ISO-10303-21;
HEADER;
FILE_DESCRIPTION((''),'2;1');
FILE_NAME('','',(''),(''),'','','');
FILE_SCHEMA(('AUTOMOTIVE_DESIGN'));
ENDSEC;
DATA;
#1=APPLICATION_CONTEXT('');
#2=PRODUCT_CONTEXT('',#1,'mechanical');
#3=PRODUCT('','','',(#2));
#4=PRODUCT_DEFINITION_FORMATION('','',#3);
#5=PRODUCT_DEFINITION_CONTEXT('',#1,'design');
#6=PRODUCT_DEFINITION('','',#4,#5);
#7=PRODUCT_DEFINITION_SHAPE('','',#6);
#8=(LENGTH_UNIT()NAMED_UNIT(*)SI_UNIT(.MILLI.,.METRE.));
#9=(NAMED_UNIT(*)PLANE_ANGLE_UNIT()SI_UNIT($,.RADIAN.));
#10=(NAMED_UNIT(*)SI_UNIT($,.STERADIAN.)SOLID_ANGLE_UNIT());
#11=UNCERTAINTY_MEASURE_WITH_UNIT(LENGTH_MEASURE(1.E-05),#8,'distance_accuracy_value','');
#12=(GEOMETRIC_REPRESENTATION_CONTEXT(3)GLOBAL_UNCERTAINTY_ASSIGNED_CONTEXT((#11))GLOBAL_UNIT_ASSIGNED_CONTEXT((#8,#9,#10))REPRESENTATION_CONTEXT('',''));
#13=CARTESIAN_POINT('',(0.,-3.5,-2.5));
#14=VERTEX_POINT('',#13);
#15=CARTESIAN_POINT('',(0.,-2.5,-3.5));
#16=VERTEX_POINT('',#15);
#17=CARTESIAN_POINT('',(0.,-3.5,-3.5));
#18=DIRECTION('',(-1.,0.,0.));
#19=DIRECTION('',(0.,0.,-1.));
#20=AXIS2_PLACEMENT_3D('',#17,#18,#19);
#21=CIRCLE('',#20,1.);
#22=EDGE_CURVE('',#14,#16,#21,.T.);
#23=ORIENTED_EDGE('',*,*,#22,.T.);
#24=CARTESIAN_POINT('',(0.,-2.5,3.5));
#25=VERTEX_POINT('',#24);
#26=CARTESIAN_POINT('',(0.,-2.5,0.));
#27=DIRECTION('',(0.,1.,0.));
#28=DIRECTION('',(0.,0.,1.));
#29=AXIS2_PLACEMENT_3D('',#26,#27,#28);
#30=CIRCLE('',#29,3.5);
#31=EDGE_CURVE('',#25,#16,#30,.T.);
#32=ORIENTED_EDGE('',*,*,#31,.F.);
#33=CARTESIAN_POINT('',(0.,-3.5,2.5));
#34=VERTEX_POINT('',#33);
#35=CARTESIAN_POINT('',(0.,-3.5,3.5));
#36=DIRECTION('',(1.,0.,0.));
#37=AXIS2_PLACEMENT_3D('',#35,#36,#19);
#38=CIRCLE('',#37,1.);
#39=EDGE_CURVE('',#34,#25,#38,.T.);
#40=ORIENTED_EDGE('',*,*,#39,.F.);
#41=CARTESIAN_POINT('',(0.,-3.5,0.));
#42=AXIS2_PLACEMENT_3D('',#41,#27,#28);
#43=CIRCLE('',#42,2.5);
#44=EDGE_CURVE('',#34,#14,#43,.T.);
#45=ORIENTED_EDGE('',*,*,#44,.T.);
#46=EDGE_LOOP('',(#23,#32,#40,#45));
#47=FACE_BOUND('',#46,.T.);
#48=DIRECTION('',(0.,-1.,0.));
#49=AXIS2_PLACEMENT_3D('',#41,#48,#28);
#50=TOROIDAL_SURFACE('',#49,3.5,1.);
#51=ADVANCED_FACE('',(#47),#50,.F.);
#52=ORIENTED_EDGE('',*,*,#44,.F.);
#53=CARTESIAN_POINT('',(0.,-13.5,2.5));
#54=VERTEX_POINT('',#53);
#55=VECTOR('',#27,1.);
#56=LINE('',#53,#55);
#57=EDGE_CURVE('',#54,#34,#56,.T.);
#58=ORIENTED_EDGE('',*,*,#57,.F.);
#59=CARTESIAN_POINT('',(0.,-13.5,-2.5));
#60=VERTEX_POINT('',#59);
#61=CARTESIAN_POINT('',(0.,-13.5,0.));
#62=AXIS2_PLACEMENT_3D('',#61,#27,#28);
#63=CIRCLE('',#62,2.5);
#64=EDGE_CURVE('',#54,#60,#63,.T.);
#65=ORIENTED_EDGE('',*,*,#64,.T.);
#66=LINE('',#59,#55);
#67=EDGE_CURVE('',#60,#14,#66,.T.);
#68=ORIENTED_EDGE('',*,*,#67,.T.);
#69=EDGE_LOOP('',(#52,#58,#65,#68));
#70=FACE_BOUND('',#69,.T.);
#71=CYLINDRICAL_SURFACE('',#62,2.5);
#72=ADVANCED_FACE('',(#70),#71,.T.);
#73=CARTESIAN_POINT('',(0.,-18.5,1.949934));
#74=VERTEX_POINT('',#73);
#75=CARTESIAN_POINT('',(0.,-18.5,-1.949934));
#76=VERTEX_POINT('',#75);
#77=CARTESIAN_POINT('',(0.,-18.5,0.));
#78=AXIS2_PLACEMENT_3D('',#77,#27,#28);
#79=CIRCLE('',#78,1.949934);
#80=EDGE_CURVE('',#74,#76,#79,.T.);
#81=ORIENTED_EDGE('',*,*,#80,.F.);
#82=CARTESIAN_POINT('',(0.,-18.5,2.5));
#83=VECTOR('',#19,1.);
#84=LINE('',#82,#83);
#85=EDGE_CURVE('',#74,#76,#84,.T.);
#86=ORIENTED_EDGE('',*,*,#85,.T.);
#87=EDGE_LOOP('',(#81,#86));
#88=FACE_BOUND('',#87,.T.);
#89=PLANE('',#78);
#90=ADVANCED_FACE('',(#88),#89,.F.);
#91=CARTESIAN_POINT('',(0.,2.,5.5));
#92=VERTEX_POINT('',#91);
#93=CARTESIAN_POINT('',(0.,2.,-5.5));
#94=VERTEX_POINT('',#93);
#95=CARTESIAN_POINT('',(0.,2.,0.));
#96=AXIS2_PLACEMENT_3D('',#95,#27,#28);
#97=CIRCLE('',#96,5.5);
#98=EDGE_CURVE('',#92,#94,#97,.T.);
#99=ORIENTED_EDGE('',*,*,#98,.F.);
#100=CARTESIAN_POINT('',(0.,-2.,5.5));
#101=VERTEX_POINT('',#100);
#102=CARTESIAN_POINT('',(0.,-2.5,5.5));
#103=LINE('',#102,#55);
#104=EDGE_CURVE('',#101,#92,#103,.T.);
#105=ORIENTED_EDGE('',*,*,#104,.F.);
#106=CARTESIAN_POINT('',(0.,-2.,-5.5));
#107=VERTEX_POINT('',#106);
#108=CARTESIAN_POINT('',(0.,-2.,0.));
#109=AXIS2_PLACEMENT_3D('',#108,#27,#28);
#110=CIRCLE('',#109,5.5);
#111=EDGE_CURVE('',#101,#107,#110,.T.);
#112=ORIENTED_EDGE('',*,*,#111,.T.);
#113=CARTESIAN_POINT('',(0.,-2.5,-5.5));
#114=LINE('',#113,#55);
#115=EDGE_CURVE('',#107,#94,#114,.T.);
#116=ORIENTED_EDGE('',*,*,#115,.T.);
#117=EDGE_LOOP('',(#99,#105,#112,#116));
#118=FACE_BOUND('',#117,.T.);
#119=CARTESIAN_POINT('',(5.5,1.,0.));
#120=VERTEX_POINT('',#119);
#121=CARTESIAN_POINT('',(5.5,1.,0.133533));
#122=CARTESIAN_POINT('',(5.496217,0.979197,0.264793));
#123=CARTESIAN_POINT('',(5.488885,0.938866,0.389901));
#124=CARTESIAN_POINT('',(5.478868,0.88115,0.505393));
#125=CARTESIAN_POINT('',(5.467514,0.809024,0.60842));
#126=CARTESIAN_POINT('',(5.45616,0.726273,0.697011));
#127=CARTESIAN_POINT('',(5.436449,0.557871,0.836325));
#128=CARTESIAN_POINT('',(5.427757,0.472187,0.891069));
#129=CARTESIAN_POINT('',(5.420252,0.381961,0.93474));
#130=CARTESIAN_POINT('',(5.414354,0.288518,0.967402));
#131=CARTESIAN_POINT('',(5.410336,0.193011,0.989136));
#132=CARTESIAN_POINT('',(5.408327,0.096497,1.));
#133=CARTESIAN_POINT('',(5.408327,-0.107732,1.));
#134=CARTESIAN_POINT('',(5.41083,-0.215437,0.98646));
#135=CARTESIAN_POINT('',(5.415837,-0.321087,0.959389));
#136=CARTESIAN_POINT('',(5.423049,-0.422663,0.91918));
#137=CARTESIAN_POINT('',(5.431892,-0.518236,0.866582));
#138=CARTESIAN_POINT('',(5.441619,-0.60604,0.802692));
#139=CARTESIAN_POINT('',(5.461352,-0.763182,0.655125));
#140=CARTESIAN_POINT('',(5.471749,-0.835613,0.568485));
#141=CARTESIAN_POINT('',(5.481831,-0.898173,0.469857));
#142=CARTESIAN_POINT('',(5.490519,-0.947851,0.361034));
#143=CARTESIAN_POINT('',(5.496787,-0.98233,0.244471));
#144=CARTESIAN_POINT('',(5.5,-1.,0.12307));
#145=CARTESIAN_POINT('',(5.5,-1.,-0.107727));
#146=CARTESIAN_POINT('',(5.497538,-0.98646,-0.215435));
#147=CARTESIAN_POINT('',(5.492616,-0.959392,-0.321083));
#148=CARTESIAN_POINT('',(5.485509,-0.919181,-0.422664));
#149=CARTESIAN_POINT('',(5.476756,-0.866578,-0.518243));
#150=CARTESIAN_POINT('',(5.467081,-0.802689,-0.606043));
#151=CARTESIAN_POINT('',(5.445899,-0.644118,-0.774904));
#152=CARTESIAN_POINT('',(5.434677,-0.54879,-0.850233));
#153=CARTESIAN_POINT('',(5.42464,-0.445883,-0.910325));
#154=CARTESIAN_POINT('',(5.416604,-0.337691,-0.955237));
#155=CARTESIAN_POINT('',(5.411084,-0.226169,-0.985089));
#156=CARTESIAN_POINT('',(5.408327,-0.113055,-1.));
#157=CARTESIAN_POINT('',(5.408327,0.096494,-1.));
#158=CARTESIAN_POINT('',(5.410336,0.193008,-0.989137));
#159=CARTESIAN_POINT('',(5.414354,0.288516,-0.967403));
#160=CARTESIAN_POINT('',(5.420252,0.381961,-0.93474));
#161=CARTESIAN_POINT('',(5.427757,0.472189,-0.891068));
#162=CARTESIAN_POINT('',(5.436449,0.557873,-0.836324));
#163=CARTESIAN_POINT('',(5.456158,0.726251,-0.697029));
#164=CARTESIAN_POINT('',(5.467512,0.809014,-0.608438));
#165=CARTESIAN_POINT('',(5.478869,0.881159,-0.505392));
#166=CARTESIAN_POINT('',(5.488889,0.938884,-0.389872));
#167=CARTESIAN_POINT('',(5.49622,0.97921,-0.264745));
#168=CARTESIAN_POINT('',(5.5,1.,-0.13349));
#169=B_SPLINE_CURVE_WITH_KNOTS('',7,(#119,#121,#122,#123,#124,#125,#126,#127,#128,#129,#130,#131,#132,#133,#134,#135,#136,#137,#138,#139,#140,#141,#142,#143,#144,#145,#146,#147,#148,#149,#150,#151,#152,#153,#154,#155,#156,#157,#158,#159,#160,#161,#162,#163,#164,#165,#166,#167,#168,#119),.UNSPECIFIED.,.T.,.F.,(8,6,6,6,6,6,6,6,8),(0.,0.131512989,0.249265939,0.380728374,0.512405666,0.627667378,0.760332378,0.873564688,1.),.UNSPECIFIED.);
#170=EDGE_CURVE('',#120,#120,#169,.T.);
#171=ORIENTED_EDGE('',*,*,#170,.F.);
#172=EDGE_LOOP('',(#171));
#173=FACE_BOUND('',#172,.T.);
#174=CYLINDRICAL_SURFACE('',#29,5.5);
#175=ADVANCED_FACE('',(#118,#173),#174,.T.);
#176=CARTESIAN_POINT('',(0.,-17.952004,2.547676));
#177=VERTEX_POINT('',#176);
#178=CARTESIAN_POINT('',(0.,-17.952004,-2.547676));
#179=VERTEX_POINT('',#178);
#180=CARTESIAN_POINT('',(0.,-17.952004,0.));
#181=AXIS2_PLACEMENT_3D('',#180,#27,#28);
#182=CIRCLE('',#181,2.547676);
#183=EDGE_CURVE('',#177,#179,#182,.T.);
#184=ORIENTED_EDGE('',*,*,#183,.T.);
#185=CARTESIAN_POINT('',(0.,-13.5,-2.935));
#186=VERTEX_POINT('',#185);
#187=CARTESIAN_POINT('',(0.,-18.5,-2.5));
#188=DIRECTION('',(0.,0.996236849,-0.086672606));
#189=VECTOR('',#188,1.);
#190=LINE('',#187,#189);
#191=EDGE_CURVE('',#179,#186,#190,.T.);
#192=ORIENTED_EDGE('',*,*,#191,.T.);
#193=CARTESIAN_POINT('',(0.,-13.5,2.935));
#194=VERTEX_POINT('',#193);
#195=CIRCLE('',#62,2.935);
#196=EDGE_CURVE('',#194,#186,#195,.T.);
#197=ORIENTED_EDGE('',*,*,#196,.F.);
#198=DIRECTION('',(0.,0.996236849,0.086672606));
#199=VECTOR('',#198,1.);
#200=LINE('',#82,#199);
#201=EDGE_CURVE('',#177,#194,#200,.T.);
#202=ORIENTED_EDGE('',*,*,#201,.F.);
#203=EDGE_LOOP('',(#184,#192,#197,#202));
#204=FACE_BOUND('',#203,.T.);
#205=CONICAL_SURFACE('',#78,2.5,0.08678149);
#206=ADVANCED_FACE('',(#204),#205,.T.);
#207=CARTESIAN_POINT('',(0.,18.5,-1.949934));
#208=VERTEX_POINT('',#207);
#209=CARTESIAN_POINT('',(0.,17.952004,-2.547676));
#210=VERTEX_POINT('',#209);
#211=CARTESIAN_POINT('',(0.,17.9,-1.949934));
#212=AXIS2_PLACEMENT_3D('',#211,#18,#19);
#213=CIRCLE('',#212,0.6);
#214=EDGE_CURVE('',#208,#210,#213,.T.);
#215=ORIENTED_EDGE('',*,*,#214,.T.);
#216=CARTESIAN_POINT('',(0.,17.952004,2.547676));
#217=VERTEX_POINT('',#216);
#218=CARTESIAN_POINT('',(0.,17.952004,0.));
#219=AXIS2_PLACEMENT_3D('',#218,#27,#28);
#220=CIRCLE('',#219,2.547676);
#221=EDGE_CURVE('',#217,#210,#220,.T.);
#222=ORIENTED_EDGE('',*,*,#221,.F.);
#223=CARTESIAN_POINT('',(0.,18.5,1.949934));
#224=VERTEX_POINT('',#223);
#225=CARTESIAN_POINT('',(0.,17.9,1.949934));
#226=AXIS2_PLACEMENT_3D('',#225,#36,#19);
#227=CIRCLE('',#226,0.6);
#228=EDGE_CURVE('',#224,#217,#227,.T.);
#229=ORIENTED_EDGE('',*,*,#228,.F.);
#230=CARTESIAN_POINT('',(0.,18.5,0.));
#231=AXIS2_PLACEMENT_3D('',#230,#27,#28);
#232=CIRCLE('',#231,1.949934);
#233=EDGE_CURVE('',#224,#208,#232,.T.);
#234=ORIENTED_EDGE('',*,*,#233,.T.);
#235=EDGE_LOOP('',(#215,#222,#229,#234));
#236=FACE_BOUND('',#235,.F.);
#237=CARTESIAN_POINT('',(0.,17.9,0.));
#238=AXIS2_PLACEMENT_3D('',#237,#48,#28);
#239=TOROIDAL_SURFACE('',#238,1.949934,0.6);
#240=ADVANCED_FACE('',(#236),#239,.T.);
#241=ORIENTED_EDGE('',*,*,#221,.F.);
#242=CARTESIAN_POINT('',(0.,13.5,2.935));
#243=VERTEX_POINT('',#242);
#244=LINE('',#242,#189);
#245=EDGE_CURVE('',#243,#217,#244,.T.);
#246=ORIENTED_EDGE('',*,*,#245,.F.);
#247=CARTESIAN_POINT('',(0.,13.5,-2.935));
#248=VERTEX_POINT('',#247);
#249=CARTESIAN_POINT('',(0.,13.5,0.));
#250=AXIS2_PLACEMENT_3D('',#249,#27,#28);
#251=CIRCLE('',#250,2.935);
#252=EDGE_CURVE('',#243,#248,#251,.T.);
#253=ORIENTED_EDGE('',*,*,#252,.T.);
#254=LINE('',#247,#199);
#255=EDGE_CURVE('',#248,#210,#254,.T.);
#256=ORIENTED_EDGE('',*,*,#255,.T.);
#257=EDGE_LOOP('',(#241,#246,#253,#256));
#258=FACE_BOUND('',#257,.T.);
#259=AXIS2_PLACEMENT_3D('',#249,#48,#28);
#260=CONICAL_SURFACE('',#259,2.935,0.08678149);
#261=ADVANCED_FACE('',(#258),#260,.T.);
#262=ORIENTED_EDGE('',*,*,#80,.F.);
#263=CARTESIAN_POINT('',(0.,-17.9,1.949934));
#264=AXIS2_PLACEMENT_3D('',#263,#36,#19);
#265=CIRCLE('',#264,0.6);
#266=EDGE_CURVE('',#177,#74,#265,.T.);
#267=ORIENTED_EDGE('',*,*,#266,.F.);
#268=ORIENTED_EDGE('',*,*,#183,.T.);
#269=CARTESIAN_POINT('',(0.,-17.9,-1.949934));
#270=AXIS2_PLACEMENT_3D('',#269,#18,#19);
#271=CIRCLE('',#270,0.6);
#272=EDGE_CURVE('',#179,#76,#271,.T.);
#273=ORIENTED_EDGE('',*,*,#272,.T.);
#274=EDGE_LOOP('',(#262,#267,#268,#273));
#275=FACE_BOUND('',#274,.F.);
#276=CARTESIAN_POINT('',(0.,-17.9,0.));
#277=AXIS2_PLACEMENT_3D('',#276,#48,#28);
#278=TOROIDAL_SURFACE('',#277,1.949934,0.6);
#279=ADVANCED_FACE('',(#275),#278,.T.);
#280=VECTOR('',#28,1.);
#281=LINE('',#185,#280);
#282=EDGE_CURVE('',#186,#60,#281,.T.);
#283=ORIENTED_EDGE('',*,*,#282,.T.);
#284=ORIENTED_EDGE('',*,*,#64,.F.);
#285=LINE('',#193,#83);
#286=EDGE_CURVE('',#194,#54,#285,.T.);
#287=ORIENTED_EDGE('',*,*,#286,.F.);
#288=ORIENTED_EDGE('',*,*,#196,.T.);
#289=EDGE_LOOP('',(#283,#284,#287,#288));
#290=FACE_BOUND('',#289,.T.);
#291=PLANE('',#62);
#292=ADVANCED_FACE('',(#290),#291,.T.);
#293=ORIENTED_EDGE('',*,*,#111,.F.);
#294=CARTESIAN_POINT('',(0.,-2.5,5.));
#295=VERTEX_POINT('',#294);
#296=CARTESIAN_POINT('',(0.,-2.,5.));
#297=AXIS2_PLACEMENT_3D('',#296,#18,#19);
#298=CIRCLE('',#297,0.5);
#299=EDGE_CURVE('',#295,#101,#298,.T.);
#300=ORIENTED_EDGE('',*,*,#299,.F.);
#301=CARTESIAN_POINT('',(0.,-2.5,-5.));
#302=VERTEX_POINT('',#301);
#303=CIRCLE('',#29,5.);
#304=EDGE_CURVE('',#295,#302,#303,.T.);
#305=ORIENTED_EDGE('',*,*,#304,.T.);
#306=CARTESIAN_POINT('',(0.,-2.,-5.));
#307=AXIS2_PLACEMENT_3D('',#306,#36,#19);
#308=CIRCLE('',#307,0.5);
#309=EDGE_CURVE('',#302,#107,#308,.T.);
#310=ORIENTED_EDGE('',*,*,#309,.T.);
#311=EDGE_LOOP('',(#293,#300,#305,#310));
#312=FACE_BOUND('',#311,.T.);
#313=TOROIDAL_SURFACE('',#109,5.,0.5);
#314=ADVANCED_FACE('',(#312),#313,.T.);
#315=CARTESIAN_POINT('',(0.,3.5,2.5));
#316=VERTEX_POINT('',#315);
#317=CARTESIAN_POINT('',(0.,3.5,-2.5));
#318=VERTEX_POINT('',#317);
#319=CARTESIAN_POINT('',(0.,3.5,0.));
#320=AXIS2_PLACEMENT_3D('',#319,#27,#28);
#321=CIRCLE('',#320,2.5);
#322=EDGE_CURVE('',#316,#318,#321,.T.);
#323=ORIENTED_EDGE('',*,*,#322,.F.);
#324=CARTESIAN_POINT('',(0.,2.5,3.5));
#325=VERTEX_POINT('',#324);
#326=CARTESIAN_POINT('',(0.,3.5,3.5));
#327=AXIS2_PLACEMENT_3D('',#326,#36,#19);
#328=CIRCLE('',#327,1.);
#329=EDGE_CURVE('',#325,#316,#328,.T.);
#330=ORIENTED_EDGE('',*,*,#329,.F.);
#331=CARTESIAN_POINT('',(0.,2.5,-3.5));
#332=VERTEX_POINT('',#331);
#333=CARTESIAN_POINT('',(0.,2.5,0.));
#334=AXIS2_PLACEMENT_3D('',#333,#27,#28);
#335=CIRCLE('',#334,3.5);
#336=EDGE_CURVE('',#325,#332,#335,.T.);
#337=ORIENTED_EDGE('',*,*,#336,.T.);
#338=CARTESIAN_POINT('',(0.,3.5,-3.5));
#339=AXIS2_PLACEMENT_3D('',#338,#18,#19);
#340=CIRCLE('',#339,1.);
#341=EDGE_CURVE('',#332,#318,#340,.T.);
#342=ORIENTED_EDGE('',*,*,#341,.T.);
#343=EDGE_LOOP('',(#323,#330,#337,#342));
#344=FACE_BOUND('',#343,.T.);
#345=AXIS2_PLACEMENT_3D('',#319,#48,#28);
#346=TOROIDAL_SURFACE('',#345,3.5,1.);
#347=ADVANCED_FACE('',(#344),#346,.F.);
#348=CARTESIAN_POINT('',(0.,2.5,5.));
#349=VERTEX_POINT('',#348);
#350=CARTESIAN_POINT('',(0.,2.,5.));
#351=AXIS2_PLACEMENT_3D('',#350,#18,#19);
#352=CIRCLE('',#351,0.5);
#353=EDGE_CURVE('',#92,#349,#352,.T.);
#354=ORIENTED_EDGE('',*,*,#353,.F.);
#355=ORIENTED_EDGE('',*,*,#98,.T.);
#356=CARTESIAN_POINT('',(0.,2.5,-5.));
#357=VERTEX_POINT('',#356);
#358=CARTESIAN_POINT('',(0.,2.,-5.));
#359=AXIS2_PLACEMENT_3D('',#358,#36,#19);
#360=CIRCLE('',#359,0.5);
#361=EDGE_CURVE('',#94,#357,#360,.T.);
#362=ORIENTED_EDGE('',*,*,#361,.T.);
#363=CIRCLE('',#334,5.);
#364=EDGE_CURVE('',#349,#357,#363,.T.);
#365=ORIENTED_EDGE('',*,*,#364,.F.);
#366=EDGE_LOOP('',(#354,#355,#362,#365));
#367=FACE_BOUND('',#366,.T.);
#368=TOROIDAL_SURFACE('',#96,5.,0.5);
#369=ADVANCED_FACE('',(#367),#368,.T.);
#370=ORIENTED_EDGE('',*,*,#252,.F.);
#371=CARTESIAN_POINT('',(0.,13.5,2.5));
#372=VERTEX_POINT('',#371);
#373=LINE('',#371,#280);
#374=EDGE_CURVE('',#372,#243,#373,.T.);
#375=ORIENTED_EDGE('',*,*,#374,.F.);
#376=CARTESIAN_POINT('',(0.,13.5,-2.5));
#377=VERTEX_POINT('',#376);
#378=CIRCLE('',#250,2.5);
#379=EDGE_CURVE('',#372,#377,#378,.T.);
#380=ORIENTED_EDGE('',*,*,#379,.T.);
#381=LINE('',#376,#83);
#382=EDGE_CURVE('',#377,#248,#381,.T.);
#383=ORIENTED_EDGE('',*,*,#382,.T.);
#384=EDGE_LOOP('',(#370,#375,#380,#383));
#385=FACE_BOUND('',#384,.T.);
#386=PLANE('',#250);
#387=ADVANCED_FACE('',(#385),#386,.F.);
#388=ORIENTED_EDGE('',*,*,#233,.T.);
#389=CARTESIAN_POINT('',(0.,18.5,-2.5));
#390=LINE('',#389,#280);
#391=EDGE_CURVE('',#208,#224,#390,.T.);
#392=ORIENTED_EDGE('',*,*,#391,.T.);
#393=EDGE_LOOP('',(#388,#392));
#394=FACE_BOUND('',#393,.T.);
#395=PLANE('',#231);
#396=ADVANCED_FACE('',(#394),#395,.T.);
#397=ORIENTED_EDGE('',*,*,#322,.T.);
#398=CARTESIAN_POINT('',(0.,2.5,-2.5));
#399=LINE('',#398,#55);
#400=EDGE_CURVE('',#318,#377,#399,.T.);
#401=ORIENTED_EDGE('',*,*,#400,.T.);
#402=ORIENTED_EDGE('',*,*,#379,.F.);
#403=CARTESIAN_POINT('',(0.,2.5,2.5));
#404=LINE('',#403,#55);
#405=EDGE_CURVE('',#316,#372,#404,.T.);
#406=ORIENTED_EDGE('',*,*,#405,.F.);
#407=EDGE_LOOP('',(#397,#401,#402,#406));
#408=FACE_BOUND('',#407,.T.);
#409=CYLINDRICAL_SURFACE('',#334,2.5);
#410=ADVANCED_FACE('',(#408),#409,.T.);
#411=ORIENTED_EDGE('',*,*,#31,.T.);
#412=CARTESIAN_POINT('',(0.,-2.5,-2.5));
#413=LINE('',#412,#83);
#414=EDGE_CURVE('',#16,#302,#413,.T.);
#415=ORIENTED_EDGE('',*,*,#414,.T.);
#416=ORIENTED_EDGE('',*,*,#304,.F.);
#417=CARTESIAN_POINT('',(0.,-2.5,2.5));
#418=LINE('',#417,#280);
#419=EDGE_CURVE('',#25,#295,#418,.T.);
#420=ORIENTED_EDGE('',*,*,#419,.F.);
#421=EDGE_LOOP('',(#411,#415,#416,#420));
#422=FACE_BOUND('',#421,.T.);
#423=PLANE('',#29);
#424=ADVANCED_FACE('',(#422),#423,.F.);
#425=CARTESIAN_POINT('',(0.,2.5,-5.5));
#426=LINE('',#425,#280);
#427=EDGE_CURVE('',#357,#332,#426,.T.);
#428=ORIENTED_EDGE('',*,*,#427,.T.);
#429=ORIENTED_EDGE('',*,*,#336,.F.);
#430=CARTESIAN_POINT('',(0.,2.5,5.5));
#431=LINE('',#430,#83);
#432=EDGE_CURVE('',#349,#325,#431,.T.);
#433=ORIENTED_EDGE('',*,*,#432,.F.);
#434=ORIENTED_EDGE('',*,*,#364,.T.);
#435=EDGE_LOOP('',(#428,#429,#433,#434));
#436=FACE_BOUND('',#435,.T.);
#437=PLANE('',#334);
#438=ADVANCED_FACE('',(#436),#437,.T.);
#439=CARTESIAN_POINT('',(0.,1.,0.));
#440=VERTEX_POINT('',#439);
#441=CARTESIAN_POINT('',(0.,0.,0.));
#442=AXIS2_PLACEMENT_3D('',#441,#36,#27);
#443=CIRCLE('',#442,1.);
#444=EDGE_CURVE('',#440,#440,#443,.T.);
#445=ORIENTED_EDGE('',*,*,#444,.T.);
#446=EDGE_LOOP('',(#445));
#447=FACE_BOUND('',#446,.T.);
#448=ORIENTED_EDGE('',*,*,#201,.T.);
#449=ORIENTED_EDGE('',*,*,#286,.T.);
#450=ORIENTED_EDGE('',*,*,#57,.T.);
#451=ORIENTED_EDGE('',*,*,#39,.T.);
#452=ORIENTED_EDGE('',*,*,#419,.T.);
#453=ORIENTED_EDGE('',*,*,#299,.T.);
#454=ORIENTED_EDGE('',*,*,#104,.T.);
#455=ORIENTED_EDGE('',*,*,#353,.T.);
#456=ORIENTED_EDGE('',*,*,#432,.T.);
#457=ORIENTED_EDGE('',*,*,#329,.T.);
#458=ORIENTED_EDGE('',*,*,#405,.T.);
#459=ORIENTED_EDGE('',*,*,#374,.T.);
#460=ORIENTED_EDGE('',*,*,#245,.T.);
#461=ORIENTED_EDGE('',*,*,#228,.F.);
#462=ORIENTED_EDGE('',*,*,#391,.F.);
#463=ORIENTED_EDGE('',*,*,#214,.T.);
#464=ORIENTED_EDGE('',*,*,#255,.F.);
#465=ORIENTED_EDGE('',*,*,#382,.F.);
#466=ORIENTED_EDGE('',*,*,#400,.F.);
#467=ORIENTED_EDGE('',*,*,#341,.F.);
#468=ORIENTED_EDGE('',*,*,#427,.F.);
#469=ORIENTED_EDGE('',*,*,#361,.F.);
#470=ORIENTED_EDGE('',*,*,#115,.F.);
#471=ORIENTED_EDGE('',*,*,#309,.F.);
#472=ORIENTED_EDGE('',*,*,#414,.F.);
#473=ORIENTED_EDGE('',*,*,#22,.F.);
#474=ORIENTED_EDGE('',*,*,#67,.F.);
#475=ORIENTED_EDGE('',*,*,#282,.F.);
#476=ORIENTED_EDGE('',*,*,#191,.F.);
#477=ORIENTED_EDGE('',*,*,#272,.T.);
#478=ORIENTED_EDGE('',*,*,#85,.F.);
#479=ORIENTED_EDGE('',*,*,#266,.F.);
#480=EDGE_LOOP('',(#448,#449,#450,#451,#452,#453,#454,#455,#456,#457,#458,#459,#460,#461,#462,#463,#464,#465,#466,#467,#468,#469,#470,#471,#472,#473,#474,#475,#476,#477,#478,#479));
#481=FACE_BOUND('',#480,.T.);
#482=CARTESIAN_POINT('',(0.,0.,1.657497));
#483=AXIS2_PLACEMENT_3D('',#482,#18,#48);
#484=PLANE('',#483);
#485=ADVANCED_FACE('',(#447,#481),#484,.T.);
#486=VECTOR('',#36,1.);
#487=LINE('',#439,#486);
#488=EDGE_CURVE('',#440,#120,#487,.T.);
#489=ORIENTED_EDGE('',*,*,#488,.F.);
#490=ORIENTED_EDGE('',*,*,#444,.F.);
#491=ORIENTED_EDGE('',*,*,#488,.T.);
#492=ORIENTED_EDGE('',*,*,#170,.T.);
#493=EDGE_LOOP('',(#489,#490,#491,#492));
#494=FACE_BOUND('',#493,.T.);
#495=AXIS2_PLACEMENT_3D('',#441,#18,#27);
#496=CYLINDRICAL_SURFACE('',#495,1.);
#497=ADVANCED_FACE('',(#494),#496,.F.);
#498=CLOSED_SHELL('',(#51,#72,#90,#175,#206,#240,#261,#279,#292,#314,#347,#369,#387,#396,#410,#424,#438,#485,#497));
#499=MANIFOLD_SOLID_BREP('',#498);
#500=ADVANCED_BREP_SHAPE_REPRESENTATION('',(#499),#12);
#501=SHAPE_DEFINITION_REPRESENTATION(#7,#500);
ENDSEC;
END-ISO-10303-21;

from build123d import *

# Parameters (mm, degrees)
REVOLUTION002_ANGLE  = 180
FILLET006_R          = 0.6
FILLET007_R          = 1
FILLET008_R          = 0.5
SKETCH003_R          = 1
POCKET001_DEPTH      = 0.001
POCKET001_DEPTH_BACK = 5.501


with BuildPart() as part:
    # Sketch004 → Revolution002 (revolve)
    with BuildSketch(Plane.YZ):
        Polygon((-18.5, 2.5), (-13.5, 2.935), (-13.5, 2.5), (-2.5, 2.5), (-2.5, 5.5), (2.5, 5.5), (2.5, 2.5), (13.5, 2.5), (13.5, 2.935), (18.5, 2.5), (18.5, 0), (-18.5, 0), align=None)
    revolve(axis=Axis((0, 0, 0), (0, 1, 0)), revolution_arc=REVOLUTION002_ANGLE)

    # Fillet006
    fillet006_edges = [part.edges().sort_by_distance(p)[0] for p in [
        (2.5, -18.5, 0),
        (2.5, 18.5, 0),
    ]]
    fillet(fillet006_edges, radius=FILLET006_R)

    # Fillet007
    fillet007_edges = [part.edges().sort_by_distance(p)[0] for p in [
        (2.5, -2.5, 0),
        (2.5, 2.5, 0),
    ]]
    fillet(fillet007_edges, radius=FILLET007_R)

    # Fillet008
    fillet008_edges = [part.edges().sort_by_distance(p)[0] for p in [
        (5.5, -2.5, 0),
        (5.5, 2.5, 0),
    ]]
    fillet(fillet008_edges, radius=FILLET008_R)

    # Sketch003 → Pocket001 (cut, two sides)
    with BuildSketch(Plane.YZ) as pocket001_sk:
        Circle(SKETCH003_R)
    extrude(amount=-POCKET001_DEPTH, mode=Mode.SUBTRACT)
    extrude(pocket001_sk.sketch, amount=POCKET001_DEPTH_BACK, mode=Mode.SUBTRACT)


solid = part.part
